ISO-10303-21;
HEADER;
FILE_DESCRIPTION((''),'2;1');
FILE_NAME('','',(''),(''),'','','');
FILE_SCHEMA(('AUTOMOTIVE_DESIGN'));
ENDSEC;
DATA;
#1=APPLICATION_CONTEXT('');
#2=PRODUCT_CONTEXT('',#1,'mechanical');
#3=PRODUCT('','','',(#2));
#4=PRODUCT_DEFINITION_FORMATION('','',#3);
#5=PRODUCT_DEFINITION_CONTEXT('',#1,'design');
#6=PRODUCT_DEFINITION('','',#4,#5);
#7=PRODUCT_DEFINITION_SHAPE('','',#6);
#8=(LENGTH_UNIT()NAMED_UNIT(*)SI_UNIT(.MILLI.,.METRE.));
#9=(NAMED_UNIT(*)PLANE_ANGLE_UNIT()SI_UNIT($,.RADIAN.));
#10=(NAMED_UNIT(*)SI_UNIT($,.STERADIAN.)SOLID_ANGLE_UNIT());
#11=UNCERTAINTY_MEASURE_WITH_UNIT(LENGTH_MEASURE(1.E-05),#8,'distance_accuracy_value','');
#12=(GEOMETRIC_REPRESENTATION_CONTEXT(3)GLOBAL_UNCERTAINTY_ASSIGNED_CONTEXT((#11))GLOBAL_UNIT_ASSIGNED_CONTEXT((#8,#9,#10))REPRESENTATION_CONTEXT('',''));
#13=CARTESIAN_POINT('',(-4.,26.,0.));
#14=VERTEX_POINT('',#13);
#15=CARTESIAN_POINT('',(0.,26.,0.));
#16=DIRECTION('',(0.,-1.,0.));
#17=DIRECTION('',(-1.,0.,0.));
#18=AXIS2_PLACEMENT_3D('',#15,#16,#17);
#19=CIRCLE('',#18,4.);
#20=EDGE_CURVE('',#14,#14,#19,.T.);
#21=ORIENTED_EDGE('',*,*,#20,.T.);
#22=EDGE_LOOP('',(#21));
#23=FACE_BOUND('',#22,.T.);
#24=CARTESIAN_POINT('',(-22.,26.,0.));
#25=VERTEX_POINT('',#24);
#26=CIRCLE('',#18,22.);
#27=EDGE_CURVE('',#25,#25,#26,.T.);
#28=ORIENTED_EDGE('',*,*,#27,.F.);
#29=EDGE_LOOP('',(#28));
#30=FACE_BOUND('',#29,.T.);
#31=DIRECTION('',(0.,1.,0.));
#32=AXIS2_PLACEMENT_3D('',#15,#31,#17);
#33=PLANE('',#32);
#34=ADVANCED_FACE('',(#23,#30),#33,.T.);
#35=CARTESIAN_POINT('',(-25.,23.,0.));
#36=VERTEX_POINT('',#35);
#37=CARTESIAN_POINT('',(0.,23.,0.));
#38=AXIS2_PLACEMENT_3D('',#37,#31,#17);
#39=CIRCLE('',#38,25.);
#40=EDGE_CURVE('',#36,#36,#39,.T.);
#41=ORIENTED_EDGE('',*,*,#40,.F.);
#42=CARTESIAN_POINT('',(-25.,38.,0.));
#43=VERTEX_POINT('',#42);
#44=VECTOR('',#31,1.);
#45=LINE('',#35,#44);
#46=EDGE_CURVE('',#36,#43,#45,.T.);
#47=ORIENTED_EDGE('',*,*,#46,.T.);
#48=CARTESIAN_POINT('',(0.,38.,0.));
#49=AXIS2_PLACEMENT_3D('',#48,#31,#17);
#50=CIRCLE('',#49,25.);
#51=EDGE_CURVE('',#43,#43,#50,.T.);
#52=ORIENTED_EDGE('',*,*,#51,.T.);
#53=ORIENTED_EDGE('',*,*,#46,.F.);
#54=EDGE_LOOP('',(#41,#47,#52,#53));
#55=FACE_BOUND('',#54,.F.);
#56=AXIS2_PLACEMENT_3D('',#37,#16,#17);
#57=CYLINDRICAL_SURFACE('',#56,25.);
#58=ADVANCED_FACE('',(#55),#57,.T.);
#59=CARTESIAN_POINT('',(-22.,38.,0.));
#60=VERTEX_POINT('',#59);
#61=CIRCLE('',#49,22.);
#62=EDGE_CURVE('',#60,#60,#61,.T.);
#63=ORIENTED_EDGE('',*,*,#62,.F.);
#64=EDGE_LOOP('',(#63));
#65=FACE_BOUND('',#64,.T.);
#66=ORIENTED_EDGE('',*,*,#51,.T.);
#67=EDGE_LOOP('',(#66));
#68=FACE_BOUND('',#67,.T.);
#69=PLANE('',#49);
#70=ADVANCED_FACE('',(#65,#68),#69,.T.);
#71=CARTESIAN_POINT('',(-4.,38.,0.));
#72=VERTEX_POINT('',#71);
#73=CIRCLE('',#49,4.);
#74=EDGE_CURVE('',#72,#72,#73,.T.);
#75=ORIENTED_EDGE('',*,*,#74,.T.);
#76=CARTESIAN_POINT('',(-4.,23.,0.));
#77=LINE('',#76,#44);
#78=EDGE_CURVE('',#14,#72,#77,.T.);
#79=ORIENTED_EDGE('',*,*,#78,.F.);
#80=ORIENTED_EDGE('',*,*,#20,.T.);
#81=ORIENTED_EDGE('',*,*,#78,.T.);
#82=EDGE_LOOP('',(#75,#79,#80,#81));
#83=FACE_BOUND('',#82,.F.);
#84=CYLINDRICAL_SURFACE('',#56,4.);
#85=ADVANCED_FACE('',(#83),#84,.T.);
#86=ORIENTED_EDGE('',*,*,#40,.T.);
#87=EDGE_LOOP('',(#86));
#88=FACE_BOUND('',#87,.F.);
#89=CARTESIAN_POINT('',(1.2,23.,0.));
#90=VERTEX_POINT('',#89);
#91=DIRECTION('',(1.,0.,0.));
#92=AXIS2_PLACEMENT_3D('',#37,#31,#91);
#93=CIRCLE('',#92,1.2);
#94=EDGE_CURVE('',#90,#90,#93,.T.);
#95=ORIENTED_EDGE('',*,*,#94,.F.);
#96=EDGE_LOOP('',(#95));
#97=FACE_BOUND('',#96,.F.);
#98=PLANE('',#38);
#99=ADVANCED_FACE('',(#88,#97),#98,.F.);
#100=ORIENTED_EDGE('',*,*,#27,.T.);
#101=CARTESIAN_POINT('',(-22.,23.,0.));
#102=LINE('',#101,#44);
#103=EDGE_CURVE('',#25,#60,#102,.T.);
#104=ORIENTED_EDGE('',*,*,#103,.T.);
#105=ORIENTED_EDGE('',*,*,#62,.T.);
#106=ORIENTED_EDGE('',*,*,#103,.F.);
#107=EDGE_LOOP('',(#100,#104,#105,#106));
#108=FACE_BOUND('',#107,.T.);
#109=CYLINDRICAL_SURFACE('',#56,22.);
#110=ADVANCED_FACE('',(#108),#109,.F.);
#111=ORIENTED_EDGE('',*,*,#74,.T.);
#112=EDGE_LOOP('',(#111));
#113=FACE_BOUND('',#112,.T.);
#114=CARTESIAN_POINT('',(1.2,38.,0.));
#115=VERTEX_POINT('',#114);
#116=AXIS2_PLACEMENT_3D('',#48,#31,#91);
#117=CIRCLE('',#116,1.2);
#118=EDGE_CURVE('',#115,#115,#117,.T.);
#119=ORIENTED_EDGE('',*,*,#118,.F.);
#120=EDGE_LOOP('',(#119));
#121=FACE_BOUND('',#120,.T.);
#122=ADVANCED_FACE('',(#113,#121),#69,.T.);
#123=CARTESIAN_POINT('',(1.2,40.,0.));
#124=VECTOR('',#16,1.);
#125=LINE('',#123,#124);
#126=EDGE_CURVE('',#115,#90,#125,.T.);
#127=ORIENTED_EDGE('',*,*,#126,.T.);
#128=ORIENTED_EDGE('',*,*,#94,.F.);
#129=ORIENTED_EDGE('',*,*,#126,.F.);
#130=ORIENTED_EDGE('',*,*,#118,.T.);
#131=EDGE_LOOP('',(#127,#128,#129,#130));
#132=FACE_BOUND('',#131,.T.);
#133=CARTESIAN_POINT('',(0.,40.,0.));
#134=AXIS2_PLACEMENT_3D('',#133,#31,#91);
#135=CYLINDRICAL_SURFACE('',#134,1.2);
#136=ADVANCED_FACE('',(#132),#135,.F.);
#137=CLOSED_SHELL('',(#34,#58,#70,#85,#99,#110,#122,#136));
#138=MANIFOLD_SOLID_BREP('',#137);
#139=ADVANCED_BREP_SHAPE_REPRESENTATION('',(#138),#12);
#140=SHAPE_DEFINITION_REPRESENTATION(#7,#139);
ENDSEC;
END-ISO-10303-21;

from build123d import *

# Parameters (mm, degrees)
CYLINDER005_R             = 1.2
CYLINDER005_DEPTH         = 32
CYLINDER005_ROLL_ANGLE    = 90
CYLINDER004_R             = 4
CYLINDER004_DEPTH         = 15
CYLINDER004_ROLL_ANGLE    = 90
CYLINDER003_R             = 25
CYLINDER003_DEPTH         = 15
CYLINDER003_ROLL_ANGLE    = 90
THICKNESS001_T            = -3
FUSION001_PLACEMENT_ANGLE = 180


with BuildPart() as wheelshaft:
    # Cylinder005 → Cylinder005 (new body)
    with BuildSketch(Plane.XY):
        Circle(CYLINDER005_R)
    extrude(amount=CYLINDER005_DEPTH)


with BuildPart() as wheelshaft_1:
    # Cylinder005 roll: moved
    add(wheelshaft.part.rotate(Axis((0, 0, 0), (1, 0, 0)), CYLINDER005_ROLL_ANGLE))


with BuildPart() as wheelshaft_2:
    # Cylinder005 placement: moved
    add(wheelshaft_1.part.moved(Location((0, 40, 0))))


with BuildPart() as shaft_holder_b:
    # Cylinder004 → Cylinder004 (new body)
    with BuildSketch(Plane.XY):
        Circle(CYLINDER004_R)
    extrude(amount=CYLINDER004_DEPTH)


with BuildPart() as shaft_holder_b_1:
    # Cylinder004 roll: moved
    add(shaft_holder_b.part.rotate(Axis((0, 0, 0), (1, 0, 0)), CYLINDER004_ROLL_ANGLE))


with BuildPart() as shaft_holder_b_2:
    # Cylinder004 placement: moved
    add(shaft_holder_b_1.part.moved(Location((0, -23, 0))))


with BuildPart() as wheel_shaft_hollow_b:
    # Cylinder003 → Cylinder003 (new body)
    with BuildSketch(Plane.XY):
        Circle(CYLINDER003_R)
    extrude(amount=CYLINDER003_DEPTH)


with BuildPart() as wheel_shaft_hollow_b_1:
    # Cylinder003 roll: moved
    add(wheel_shaft_hollow_b.part.rotate(Axis((0, 0, 0), (1, 0, 0)), CYLINDER003_ROLL_ANGLE))


with BuildPart() as wheel_shaft_hollow_b_2:
    # Cylinder003 placement: moved
    add(wheel_shaft_hollow_b_1.part.moved(Location((0, -23, 0))))

    # Thickness001
    thickness001_openings = [wheel_shaft_hollow_b_2.faces().sort_by_distance(p)[0] for p in [
        (0, -38, 0),
    ]]
    offset(amount=THICKNESS001_T, openings=thickness001_openings)

    # Fusion001: union shaft_holder_b
    add(shaft_holder_b_2.part)


with BuildPart() as wheel_shaft_hollow_b_3:
    # Fusion001 placement: moved
    add(wheel_shaft_hollow_b_2.part.rotate(Axis((0, 0, 0), (0, 0, 1)), FUSION001_PLACEMENT_ANGLE))

    # Cut001: cut wheelshaft
    add(wheelshaft_2.part, mode=Mode.SUBTRACT)


solid = wheel_shaft_hollow_b_3.part
